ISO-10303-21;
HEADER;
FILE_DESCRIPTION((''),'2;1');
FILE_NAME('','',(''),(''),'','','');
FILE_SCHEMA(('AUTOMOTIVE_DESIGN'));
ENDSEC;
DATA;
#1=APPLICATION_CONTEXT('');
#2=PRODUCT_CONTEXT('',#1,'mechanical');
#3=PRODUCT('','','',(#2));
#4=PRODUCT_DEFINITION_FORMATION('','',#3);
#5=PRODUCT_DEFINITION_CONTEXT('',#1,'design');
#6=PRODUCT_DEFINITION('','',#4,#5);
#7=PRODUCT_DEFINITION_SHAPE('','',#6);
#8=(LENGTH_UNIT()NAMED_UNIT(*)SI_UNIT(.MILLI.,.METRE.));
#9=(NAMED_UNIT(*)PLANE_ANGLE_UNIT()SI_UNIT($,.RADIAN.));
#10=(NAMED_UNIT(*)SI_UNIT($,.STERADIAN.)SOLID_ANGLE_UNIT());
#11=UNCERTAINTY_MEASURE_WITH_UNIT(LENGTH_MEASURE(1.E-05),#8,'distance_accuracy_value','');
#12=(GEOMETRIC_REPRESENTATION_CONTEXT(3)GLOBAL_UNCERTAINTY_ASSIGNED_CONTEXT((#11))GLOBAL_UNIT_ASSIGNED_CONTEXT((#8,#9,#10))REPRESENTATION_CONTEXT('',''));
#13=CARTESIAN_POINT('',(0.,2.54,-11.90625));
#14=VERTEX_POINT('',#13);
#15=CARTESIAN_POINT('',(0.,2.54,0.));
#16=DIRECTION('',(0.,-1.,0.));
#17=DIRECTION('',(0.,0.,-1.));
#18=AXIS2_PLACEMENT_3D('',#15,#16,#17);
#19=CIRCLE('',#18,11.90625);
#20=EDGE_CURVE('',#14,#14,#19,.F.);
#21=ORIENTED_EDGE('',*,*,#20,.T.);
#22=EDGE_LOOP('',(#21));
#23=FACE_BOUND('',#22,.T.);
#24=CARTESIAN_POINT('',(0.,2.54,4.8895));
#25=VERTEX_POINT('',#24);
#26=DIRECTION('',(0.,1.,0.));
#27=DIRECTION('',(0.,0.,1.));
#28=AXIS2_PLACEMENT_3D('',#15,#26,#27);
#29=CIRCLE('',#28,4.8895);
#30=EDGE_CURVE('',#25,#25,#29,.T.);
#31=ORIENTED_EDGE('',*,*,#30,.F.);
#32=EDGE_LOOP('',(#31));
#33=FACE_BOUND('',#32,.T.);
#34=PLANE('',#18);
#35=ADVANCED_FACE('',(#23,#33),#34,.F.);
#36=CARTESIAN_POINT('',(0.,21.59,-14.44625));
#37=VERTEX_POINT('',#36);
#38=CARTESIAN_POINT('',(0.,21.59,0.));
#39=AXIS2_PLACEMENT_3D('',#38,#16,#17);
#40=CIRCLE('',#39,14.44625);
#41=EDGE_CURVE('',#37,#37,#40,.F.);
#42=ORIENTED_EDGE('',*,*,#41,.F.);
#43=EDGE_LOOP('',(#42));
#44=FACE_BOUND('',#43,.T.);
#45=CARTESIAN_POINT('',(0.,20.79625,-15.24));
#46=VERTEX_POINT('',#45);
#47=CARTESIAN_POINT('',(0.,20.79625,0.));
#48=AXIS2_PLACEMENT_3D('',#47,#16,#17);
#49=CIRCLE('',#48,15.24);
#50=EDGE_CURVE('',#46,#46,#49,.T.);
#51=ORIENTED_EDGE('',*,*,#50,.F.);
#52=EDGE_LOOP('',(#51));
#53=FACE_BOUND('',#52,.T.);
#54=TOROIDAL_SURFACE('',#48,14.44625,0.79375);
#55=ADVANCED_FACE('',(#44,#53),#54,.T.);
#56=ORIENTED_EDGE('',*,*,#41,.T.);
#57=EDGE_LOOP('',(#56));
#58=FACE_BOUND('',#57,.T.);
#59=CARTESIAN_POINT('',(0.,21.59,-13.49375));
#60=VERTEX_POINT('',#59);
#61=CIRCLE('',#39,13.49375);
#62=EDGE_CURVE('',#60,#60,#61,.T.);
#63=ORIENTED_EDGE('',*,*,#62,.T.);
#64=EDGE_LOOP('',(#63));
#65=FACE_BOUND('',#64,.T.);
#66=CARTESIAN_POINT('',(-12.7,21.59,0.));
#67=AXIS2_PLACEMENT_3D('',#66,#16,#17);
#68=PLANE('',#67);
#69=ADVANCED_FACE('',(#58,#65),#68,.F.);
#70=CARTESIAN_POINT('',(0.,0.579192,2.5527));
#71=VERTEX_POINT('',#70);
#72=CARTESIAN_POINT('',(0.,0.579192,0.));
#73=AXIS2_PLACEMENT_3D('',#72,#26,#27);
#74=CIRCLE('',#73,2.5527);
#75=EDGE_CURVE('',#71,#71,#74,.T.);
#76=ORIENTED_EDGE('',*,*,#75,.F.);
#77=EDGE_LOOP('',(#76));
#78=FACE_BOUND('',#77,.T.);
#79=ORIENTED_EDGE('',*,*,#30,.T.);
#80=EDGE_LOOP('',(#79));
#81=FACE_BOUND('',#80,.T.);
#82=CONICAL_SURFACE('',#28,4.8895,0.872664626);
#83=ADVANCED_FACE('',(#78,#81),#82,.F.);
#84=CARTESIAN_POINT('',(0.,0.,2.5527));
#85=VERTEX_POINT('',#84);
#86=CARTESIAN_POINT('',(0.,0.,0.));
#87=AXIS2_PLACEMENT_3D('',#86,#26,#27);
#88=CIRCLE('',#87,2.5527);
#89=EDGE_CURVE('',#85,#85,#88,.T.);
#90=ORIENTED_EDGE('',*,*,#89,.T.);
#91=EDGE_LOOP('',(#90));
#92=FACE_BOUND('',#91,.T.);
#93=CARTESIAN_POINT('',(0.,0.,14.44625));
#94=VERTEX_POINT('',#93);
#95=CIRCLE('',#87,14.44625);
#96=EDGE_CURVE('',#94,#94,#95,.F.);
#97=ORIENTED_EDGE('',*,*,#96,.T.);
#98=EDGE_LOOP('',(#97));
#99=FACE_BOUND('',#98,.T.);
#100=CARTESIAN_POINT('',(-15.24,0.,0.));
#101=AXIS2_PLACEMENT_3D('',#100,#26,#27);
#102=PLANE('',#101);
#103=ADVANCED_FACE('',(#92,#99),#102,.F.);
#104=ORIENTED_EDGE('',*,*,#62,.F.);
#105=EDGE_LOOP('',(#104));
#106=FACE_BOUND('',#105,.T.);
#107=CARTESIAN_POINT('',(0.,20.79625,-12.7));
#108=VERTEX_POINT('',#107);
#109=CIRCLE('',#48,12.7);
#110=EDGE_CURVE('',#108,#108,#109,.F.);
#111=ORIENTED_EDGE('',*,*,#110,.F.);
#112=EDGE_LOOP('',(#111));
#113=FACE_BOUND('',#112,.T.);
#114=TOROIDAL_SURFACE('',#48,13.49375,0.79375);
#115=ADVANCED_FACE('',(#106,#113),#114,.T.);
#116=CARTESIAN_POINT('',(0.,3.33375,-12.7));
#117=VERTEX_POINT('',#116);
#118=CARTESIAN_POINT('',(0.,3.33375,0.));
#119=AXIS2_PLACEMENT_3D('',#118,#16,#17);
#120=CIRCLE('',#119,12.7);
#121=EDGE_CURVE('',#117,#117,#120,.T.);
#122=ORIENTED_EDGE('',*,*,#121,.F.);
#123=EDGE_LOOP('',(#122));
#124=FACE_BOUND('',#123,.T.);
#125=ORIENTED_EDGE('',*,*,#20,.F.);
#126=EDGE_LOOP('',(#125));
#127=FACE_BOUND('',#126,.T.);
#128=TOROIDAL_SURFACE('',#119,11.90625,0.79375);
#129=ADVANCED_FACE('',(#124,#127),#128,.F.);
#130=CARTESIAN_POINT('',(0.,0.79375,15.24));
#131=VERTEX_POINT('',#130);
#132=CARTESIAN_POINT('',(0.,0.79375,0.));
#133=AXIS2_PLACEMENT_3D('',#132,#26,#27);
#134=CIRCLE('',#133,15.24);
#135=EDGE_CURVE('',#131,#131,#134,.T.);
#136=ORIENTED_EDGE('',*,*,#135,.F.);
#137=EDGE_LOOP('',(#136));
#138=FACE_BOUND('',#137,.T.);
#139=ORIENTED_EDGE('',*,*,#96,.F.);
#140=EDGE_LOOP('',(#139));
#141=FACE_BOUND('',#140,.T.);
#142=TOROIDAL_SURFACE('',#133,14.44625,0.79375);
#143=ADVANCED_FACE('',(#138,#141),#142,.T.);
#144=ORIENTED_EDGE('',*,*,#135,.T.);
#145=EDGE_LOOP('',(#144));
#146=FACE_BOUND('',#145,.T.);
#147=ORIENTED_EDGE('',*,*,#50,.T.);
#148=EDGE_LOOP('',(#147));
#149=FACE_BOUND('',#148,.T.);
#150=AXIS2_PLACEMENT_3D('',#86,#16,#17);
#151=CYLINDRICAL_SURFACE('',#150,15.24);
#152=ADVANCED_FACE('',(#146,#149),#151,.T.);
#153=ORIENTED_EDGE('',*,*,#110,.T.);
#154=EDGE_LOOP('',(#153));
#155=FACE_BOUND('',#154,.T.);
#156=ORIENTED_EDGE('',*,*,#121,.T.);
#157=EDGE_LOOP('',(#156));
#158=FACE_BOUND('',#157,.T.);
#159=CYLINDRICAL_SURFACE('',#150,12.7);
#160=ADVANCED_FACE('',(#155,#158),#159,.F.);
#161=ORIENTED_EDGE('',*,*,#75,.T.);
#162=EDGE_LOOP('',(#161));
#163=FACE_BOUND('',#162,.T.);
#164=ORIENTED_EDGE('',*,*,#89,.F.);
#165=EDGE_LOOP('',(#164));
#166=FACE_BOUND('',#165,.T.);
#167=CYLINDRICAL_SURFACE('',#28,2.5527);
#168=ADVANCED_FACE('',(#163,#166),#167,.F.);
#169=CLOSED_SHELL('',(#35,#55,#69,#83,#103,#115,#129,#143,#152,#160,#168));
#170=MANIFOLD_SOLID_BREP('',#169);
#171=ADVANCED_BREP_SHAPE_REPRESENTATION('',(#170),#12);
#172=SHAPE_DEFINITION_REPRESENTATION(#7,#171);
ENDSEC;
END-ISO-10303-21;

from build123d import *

# Parameters (mm, degrees)
FILLET1_R = 0.79375


with BuildPart() as part:
    # Sketch1 → Revolve1 (revolve)
    with BuildSketch(Plane.XY):
        Polygon((-15.24, 21.59), (-15.24, 0), (0, 0), (0, 2.54), (-12.7, 2.54), (-12.7, 21.59), align=None)
    revolve(axis=Axis((0, 0, 0), (0, 1, 0)))

    # Fillet1
    fillet1_edges = [part.edges().sort_by_distance(p)[0] for p in [
        (12.7, 21.59, 0),
        (12.7, 2.54, 0),
        (15.24, 0, 0),
        (15.24, 21.59, 0),
    ]]
    fillet(fillet1_edges, radius=FILLET1_R)

    # Sketch4 → CSK for #10 Flat Head Machine Screw (100)1 (revolve, cut)
    with BuildSketch(Plane(origin=(0, 2.54, 0), x_dir=(0, 0, 1), z_dir=(1, 0, 0))):
        Polygon((0, 0), (0, 2.54), (2.5527, 2.54), (2.5527, 1.960808018), (4.8895, 0), align=None)
    revolve(axis=Axis((0, 8.89, 0), (0, -1, 0)), mode=Mode.SUBTRACT)


solid = part.part
